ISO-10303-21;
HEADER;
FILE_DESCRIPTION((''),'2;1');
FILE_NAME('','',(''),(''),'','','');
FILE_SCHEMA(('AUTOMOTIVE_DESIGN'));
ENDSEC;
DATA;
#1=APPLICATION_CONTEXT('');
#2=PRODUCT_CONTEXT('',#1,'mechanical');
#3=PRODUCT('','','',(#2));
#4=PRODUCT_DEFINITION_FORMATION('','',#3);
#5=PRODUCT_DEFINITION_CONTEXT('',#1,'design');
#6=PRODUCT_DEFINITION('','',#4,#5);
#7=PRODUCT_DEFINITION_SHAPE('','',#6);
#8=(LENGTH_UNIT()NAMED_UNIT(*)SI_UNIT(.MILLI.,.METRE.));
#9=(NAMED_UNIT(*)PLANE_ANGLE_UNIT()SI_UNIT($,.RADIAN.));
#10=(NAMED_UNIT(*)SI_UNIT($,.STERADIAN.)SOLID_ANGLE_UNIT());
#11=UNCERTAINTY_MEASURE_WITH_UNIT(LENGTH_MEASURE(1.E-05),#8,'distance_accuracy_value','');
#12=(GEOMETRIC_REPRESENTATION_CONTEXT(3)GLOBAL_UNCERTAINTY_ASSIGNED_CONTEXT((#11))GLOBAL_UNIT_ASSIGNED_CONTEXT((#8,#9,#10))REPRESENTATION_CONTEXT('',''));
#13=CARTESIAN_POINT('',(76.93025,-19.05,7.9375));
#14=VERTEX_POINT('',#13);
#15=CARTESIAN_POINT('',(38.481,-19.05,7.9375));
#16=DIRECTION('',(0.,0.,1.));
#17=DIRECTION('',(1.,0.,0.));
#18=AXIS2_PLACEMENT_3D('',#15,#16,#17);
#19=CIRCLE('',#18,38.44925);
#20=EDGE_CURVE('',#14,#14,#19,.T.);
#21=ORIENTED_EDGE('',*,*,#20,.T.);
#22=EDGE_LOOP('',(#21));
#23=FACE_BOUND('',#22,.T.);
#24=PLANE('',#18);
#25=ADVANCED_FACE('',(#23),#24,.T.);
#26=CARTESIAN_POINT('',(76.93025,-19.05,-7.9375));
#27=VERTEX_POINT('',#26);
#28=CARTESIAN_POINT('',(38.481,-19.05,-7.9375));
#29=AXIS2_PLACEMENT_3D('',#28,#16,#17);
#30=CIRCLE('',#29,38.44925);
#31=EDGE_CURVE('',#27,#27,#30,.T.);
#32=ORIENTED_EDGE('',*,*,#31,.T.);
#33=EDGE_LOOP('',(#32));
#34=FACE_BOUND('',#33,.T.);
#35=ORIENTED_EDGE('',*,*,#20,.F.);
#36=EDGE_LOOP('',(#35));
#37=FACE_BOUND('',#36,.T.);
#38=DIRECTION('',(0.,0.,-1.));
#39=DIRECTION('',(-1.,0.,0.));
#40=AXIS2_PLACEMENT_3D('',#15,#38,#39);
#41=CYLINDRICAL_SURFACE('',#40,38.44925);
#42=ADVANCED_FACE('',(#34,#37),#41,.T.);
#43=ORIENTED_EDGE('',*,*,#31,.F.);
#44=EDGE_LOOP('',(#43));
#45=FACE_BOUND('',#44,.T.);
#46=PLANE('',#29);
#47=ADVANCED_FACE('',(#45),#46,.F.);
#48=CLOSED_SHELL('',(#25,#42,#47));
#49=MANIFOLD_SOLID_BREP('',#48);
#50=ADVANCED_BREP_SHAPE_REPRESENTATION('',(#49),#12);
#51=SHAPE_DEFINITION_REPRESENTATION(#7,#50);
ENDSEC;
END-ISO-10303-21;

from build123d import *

# Parameters (mm, degrees)
SK_CORE_R      = 38.44925
EXT_CORE_DEPTH = 7.9375


with BuildPart() as part:
    # Sk_core → Ext_core (new, symmetric)
    with BuildSketch(Plane.XY):
        with Locations((38.481, -19.05)):
            Circle(SK_CORE_R)
    extrude(amount=EXT_CORE_DEPTH, both=True)


solid = part.part
